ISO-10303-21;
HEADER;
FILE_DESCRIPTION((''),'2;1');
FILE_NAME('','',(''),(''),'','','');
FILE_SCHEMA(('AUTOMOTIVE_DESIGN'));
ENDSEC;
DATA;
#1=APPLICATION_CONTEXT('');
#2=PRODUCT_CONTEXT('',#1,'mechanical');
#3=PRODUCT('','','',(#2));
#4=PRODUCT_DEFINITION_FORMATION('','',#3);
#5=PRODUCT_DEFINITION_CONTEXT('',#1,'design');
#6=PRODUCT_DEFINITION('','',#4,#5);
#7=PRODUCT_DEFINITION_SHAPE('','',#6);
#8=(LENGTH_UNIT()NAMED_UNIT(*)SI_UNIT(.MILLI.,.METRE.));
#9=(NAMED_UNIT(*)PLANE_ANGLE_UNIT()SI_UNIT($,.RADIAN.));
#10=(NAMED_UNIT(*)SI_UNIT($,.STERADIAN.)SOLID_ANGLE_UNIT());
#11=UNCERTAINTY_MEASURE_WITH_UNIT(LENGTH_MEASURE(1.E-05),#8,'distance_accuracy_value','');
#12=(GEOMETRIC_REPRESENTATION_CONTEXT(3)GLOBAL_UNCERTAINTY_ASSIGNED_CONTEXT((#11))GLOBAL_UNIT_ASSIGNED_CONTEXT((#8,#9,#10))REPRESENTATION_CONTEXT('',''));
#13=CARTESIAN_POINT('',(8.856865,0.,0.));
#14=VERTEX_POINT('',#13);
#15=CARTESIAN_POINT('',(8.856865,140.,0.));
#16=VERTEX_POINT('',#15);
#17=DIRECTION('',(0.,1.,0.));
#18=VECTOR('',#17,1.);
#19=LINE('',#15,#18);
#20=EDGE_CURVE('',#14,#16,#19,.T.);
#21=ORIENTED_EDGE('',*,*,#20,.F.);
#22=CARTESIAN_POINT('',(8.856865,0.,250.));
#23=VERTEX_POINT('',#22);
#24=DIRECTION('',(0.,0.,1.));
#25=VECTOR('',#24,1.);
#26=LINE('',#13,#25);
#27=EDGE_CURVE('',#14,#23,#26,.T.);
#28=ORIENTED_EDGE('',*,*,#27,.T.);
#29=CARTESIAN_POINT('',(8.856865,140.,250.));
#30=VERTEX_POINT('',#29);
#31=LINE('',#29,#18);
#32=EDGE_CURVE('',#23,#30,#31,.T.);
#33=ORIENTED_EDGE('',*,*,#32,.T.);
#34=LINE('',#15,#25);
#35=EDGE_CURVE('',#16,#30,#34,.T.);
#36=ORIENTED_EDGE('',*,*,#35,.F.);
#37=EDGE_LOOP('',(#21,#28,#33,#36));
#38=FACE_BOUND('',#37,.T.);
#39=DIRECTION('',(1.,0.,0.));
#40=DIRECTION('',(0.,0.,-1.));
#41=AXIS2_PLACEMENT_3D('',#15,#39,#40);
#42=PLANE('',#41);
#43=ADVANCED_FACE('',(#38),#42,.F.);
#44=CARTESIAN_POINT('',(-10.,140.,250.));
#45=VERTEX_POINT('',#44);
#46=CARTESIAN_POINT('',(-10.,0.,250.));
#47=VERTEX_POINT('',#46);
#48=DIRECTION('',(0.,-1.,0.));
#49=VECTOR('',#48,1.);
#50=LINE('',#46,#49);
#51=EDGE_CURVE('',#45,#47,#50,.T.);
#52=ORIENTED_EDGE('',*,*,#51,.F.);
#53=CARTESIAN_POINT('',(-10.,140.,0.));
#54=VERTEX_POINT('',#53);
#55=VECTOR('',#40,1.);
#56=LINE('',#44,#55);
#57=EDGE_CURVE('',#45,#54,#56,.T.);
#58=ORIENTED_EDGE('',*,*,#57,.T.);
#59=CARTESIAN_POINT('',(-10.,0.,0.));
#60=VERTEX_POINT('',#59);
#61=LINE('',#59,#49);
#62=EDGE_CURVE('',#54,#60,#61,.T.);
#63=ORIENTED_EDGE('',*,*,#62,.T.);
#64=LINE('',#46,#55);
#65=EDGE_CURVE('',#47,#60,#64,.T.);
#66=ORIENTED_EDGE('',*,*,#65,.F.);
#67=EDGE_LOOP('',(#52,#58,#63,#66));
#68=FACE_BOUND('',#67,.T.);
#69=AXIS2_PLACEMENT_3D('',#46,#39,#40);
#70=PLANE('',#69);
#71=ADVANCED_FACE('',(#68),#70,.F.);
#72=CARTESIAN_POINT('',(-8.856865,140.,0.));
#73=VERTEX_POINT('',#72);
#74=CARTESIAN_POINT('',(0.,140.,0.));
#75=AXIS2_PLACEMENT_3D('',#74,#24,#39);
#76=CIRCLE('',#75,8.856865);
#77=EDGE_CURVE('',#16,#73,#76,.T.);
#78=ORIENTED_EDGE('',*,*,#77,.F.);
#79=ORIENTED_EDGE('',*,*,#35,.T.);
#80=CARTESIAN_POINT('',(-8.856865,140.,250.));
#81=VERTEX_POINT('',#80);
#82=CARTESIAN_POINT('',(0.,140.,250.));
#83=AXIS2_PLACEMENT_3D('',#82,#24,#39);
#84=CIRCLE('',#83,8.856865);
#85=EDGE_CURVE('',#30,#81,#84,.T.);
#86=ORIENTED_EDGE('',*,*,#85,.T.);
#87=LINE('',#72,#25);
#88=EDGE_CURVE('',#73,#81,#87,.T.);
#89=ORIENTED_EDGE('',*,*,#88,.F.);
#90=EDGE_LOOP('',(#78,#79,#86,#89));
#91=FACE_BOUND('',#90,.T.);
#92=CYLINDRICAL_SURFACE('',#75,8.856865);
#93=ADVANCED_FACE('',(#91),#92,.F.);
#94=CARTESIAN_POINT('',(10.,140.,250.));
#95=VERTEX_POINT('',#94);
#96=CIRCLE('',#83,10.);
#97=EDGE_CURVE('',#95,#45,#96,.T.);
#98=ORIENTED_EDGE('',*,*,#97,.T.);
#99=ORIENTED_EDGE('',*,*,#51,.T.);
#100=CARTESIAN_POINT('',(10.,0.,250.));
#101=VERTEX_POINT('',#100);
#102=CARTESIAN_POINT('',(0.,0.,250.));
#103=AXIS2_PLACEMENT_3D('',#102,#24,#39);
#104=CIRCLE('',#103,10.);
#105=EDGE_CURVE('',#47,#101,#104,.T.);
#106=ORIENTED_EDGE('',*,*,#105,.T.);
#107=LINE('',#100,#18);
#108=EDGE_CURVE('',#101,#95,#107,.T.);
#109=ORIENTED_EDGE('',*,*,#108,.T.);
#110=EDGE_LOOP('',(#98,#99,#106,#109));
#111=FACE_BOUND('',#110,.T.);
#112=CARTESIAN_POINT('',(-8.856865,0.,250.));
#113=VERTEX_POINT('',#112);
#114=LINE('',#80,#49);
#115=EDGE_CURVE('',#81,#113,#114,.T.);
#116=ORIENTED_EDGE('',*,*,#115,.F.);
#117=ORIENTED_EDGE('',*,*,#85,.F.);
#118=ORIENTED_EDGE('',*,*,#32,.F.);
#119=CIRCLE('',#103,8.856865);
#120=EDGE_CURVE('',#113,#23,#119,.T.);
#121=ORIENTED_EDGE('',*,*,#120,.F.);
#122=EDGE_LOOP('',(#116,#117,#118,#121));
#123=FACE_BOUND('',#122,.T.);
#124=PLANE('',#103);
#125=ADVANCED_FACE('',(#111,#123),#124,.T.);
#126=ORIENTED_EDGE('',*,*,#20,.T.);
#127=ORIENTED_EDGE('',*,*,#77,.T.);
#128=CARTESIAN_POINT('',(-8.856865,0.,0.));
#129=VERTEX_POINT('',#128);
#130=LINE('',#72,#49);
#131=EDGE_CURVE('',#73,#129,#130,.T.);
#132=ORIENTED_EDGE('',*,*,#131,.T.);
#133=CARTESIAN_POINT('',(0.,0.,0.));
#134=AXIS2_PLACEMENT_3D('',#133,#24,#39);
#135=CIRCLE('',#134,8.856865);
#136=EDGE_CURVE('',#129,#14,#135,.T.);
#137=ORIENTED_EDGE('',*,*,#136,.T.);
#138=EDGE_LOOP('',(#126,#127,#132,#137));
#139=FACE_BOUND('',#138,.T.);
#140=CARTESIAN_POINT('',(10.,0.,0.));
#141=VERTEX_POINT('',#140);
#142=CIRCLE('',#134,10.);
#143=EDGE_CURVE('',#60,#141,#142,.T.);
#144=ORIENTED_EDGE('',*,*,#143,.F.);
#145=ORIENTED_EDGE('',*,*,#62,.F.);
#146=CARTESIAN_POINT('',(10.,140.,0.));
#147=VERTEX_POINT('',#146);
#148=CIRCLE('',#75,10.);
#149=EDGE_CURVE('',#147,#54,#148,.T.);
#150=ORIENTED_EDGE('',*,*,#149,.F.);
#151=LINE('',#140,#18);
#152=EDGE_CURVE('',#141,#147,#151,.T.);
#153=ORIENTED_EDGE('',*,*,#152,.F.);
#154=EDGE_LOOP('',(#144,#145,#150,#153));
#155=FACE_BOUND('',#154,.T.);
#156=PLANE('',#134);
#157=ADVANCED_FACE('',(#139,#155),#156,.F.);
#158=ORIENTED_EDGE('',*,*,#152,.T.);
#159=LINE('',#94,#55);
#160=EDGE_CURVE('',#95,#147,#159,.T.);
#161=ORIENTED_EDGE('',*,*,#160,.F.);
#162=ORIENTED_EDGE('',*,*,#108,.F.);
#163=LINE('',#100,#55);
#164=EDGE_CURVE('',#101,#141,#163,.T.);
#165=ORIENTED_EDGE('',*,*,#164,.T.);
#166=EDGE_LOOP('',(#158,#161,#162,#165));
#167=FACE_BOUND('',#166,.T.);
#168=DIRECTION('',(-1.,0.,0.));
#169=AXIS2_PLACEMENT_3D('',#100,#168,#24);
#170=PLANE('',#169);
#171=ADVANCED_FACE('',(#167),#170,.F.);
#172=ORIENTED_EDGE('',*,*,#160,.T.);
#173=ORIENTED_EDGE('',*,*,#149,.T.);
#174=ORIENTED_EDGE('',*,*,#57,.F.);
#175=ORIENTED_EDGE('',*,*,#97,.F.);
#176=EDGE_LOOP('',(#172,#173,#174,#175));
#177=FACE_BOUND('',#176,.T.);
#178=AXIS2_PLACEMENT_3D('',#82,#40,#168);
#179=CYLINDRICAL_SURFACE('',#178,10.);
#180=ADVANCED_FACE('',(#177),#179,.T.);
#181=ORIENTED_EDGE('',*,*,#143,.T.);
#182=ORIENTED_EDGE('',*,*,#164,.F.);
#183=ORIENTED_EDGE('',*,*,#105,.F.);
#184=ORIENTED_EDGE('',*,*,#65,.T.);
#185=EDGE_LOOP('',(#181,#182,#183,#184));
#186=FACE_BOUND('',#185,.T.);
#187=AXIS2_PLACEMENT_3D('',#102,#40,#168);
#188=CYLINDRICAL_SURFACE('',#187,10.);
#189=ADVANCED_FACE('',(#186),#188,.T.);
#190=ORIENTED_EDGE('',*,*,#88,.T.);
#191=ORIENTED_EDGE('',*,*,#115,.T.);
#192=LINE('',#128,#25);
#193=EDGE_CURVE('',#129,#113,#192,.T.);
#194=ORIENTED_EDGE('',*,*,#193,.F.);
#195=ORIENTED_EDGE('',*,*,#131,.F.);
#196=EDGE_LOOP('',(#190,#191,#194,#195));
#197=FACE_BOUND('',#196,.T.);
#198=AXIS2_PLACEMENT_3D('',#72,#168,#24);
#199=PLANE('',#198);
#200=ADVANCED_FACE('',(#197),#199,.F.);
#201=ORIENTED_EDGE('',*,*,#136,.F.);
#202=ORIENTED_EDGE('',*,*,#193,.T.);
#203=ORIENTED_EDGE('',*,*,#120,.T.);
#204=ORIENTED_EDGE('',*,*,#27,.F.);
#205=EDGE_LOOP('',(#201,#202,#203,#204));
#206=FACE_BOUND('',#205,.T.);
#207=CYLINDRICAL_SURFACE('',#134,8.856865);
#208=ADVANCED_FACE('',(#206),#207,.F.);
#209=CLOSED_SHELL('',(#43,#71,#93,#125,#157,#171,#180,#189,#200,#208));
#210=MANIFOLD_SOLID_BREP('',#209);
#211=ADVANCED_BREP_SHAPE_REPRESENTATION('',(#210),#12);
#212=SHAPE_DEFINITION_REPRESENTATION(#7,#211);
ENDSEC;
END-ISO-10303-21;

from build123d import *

# Parameters (mm, degrees)
BOSS_EXTRU_1_DEPTH      = 250
ENL_V_MAT_EXTRU_1_DEPTH = 250


with BuildPart() as part:
    # Esquisse1 → Boss.-Extru.1 (new body)
    with BuildSketch(Plane.XY):
        with BuildLine():
            Line((-10, 0), (-10, 140))
            ThreePointArc((-10, 140), (0, 150), (10, 140))
            Line((10, 140), (10, 0))
            ThreePointArc((10, 0), (0, -10), (-10, 0))
        make_face()
    extrude(amount=BOSS_EXTRU_1_DEPTH)

    # Esquisse2 → Enlèv. mat.-Extru.1 (cut)
    with BuildSketch(Plane.XY.offset(250)):
        with BuildLine():
            Line((8.856865258, 140), (8.856865258, 0))
            ThreePointArc((8.856865258, 0), (0, -8.856865258), (-8.856865258, 0))
            Line((-8.856865258, 0), (-8.856865258, 140))
            ThreePointArc((-8.856865258, 140), (0, 148.856865258), (8.856865258, 140))
        make_face()
    extrude(amount=-ENL_V_MAT_EXTRU_1_DEPTH, mode=Mode.SUBTRACT)


solid = part.part
